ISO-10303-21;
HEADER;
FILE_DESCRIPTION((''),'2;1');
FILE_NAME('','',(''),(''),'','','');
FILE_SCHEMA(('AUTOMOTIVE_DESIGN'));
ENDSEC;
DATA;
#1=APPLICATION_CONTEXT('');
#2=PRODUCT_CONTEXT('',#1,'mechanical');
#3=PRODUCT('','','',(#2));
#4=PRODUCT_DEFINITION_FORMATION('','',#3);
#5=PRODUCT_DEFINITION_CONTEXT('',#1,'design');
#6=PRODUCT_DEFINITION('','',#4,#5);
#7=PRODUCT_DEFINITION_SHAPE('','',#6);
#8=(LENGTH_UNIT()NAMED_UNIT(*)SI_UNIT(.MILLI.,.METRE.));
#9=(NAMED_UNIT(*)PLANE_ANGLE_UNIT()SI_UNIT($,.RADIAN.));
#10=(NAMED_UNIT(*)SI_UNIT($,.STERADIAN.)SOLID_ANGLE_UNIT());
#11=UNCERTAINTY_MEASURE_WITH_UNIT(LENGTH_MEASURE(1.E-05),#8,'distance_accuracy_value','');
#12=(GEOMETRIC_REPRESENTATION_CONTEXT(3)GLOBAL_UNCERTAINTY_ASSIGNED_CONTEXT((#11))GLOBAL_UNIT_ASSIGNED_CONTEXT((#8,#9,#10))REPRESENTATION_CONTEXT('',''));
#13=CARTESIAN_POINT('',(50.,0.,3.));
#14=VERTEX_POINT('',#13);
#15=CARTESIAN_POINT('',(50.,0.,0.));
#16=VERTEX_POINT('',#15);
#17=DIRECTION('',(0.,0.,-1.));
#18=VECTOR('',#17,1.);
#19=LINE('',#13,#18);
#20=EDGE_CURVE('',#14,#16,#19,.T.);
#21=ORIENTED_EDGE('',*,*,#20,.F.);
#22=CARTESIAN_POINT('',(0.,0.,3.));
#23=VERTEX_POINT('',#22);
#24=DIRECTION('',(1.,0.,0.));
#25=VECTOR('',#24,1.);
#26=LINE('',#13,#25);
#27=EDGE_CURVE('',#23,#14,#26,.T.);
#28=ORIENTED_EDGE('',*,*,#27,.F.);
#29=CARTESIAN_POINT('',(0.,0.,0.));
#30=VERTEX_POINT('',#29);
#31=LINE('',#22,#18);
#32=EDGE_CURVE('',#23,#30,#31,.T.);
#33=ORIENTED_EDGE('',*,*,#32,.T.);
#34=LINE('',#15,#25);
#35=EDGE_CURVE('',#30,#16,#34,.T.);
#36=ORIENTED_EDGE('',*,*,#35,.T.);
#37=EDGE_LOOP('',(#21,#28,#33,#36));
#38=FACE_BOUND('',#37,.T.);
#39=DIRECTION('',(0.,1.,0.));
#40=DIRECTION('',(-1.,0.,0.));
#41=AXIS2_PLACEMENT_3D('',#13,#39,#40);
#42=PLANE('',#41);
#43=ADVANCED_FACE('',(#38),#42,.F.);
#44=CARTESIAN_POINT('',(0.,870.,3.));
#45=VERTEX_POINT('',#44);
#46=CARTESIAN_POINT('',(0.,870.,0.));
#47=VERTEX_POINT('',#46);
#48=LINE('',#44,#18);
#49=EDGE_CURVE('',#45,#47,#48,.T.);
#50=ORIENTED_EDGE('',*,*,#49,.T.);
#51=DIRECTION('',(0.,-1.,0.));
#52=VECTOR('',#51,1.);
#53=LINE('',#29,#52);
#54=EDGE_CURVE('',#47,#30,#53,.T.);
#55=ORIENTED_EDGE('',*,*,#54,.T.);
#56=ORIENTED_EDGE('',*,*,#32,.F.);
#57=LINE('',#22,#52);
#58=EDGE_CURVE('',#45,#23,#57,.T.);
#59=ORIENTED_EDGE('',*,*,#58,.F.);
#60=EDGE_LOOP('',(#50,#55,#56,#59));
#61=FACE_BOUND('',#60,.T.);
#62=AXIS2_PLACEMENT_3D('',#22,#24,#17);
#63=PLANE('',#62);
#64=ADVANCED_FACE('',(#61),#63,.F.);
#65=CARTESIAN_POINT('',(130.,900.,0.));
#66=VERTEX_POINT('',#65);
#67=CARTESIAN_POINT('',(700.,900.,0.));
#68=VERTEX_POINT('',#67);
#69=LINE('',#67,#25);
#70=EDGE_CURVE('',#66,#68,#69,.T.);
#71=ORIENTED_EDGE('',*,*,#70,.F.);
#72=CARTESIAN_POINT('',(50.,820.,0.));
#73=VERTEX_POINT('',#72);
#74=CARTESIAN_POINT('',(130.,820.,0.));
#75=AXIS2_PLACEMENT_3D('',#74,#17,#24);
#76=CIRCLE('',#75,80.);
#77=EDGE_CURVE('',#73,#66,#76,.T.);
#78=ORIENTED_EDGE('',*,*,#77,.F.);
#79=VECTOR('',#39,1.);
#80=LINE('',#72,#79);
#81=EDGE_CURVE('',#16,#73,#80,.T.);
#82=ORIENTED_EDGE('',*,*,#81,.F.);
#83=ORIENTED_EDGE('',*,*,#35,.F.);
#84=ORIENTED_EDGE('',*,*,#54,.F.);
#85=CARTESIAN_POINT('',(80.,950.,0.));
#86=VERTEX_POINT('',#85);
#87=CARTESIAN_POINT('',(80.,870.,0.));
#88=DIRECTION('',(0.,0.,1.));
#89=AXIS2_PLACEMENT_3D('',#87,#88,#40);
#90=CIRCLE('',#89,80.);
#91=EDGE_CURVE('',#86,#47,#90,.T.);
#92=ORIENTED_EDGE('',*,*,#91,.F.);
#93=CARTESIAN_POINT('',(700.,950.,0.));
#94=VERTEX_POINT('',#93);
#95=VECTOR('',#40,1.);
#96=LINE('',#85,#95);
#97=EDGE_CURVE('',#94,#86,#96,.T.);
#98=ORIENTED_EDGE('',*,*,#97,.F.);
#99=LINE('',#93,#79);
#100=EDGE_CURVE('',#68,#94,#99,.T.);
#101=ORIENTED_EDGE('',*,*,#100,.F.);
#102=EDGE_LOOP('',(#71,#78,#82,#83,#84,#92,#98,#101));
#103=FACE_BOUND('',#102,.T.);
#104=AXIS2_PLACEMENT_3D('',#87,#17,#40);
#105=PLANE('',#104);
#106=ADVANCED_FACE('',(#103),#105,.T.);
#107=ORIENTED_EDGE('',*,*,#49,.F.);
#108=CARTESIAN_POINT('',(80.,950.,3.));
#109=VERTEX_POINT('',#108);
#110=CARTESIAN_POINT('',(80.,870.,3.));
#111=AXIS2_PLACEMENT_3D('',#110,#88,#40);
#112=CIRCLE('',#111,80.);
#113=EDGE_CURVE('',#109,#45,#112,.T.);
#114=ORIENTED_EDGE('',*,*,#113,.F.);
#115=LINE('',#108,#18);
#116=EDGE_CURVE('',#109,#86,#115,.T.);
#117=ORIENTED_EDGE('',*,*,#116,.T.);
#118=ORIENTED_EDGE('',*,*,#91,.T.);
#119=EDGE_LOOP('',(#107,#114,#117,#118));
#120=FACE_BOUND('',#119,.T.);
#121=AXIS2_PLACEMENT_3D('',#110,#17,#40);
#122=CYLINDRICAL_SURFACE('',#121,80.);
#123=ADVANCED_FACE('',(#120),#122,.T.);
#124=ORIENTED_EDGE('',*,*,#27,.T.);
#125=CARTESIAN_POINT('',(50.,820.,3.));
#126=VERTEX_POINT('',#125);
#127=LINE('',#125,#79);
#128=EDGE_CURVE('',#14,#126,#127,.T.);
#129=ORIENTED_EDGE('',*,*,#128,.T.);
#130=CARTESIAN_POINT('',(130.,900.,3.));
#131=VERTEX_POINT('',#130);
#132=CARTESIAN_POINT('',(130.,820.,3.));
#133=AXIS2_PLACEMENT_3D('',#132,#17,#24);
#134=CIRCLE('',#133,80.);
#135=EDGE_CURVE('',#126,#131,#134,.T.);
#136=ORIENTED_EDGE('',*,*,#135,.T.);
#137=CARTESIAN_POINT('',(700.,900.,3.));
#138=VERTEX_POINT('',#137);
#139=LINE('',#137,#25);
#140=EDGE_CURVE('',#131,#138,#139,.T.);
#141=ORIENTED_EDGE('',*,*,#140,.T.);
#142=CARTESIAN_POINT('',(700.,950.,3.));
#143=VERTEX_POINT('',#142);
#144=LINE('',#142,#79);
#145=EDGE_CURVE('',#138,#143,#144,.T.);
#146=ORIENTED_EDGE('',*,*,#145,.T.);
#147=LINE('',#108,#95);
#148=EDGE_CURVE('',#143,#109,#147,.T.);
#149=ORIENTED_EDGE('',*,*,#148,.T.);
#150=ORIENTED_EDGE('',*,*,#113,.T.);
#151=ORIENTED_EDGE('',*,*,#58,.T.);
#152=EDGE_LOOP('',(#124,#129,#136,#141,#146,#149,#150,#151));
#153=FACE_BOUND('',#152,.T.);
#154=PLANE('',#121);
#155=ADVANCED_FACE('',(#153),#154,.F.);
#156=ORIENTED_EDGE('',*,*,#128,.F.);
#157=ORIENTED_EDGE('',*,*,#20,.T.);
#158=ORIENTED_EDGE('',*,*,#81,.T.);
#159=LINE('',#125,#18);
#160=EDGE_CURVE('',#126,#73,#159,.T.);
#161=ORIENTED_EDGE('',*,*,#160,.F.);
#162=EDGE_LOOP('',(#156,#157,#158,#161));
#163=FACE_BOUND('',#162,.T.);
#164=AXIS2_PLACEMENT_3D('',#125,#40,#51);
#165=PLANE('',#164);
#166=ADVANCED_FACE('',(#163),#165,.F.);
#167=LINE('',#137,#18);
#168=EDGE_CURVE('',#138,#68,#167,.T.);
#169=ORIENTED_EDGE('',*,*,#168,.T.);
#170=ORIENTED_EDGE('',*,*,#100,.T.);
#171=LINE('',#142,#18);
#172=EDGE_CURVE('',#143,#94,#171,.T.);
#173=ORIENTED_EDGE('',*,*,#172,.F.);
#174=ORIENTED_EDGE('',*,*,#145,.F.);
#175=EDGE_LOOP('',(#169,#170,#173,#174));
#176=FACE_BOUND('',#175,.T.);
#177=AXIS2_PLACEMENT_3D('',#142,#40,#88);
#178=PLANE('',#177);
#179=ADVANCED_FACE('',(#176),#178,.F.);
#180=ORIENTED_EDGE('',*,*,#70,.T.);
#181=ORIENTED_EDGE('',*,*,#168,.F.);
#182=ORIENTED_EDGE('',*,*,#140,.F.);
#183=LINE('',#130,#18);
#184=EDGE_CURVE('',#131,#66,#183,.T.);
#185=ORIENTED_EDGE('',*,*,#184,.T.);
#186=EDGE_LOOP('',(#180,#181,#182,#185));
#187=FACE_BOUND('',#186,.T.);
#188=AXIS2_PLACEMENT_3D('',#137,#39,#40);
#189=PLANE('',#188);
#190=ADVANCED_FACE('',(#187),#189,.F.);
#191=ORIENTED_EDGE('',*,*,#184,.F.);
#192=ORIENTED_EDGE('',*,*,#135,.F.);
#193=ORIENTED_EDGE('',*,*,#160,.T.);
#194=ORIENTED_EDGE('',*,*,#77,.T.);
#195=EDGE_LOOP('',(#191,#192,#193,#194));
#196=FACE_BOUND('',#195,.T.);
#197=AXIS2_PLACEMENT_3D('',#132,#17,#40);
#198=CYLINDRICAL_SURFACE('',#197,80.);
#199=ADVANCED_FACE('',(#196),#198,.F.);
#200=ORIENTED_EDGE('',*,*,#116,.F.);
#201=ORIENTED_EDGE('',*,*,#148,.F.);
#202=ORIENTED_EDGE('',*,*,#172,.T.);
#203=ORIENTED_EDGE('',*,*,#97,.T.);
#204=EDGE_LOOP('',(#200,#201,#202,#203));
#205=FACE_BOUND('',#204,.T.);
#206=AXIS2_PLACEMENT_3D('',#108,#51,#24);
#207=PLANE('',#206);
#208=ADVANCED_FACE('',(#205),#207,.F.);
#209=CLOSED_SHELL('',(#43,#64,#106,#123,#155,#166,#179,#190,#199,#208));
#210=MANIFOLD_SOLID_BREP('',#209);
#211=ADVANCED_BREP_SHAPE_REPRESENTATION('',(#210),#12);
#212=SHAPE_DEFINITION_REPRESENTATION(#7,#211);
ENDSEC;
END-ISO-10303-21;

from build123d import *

# Parameters (mm, degrees)
BOSS_EXTRUDE1_DEPTH = 3


with BuildPart() as part:
    # Sketch1 → Boss-Extrude1 (new body)
    with BuildSketch(Plane.XY):
        with BuildLine():
            Line((0, 0), (0, 870))
            ThreePointArc((0, 870), (23.431457505, 926.568542495), (80, 950))
            Line((80, 950), (700, 950))
            Line((700, 950), (700, 900))
            Line((700, 900), (130, 900))
            ThreePointArc((130, 900), (73.431457505, 876.568542495), (50, 820))
            Line((50, 820), (50, 0))
            Line((50, 0), (0, 0))
        make_face()
    extrude(amount=BOSS_EXTRUDE1_DEPTH)


solid = part.part
